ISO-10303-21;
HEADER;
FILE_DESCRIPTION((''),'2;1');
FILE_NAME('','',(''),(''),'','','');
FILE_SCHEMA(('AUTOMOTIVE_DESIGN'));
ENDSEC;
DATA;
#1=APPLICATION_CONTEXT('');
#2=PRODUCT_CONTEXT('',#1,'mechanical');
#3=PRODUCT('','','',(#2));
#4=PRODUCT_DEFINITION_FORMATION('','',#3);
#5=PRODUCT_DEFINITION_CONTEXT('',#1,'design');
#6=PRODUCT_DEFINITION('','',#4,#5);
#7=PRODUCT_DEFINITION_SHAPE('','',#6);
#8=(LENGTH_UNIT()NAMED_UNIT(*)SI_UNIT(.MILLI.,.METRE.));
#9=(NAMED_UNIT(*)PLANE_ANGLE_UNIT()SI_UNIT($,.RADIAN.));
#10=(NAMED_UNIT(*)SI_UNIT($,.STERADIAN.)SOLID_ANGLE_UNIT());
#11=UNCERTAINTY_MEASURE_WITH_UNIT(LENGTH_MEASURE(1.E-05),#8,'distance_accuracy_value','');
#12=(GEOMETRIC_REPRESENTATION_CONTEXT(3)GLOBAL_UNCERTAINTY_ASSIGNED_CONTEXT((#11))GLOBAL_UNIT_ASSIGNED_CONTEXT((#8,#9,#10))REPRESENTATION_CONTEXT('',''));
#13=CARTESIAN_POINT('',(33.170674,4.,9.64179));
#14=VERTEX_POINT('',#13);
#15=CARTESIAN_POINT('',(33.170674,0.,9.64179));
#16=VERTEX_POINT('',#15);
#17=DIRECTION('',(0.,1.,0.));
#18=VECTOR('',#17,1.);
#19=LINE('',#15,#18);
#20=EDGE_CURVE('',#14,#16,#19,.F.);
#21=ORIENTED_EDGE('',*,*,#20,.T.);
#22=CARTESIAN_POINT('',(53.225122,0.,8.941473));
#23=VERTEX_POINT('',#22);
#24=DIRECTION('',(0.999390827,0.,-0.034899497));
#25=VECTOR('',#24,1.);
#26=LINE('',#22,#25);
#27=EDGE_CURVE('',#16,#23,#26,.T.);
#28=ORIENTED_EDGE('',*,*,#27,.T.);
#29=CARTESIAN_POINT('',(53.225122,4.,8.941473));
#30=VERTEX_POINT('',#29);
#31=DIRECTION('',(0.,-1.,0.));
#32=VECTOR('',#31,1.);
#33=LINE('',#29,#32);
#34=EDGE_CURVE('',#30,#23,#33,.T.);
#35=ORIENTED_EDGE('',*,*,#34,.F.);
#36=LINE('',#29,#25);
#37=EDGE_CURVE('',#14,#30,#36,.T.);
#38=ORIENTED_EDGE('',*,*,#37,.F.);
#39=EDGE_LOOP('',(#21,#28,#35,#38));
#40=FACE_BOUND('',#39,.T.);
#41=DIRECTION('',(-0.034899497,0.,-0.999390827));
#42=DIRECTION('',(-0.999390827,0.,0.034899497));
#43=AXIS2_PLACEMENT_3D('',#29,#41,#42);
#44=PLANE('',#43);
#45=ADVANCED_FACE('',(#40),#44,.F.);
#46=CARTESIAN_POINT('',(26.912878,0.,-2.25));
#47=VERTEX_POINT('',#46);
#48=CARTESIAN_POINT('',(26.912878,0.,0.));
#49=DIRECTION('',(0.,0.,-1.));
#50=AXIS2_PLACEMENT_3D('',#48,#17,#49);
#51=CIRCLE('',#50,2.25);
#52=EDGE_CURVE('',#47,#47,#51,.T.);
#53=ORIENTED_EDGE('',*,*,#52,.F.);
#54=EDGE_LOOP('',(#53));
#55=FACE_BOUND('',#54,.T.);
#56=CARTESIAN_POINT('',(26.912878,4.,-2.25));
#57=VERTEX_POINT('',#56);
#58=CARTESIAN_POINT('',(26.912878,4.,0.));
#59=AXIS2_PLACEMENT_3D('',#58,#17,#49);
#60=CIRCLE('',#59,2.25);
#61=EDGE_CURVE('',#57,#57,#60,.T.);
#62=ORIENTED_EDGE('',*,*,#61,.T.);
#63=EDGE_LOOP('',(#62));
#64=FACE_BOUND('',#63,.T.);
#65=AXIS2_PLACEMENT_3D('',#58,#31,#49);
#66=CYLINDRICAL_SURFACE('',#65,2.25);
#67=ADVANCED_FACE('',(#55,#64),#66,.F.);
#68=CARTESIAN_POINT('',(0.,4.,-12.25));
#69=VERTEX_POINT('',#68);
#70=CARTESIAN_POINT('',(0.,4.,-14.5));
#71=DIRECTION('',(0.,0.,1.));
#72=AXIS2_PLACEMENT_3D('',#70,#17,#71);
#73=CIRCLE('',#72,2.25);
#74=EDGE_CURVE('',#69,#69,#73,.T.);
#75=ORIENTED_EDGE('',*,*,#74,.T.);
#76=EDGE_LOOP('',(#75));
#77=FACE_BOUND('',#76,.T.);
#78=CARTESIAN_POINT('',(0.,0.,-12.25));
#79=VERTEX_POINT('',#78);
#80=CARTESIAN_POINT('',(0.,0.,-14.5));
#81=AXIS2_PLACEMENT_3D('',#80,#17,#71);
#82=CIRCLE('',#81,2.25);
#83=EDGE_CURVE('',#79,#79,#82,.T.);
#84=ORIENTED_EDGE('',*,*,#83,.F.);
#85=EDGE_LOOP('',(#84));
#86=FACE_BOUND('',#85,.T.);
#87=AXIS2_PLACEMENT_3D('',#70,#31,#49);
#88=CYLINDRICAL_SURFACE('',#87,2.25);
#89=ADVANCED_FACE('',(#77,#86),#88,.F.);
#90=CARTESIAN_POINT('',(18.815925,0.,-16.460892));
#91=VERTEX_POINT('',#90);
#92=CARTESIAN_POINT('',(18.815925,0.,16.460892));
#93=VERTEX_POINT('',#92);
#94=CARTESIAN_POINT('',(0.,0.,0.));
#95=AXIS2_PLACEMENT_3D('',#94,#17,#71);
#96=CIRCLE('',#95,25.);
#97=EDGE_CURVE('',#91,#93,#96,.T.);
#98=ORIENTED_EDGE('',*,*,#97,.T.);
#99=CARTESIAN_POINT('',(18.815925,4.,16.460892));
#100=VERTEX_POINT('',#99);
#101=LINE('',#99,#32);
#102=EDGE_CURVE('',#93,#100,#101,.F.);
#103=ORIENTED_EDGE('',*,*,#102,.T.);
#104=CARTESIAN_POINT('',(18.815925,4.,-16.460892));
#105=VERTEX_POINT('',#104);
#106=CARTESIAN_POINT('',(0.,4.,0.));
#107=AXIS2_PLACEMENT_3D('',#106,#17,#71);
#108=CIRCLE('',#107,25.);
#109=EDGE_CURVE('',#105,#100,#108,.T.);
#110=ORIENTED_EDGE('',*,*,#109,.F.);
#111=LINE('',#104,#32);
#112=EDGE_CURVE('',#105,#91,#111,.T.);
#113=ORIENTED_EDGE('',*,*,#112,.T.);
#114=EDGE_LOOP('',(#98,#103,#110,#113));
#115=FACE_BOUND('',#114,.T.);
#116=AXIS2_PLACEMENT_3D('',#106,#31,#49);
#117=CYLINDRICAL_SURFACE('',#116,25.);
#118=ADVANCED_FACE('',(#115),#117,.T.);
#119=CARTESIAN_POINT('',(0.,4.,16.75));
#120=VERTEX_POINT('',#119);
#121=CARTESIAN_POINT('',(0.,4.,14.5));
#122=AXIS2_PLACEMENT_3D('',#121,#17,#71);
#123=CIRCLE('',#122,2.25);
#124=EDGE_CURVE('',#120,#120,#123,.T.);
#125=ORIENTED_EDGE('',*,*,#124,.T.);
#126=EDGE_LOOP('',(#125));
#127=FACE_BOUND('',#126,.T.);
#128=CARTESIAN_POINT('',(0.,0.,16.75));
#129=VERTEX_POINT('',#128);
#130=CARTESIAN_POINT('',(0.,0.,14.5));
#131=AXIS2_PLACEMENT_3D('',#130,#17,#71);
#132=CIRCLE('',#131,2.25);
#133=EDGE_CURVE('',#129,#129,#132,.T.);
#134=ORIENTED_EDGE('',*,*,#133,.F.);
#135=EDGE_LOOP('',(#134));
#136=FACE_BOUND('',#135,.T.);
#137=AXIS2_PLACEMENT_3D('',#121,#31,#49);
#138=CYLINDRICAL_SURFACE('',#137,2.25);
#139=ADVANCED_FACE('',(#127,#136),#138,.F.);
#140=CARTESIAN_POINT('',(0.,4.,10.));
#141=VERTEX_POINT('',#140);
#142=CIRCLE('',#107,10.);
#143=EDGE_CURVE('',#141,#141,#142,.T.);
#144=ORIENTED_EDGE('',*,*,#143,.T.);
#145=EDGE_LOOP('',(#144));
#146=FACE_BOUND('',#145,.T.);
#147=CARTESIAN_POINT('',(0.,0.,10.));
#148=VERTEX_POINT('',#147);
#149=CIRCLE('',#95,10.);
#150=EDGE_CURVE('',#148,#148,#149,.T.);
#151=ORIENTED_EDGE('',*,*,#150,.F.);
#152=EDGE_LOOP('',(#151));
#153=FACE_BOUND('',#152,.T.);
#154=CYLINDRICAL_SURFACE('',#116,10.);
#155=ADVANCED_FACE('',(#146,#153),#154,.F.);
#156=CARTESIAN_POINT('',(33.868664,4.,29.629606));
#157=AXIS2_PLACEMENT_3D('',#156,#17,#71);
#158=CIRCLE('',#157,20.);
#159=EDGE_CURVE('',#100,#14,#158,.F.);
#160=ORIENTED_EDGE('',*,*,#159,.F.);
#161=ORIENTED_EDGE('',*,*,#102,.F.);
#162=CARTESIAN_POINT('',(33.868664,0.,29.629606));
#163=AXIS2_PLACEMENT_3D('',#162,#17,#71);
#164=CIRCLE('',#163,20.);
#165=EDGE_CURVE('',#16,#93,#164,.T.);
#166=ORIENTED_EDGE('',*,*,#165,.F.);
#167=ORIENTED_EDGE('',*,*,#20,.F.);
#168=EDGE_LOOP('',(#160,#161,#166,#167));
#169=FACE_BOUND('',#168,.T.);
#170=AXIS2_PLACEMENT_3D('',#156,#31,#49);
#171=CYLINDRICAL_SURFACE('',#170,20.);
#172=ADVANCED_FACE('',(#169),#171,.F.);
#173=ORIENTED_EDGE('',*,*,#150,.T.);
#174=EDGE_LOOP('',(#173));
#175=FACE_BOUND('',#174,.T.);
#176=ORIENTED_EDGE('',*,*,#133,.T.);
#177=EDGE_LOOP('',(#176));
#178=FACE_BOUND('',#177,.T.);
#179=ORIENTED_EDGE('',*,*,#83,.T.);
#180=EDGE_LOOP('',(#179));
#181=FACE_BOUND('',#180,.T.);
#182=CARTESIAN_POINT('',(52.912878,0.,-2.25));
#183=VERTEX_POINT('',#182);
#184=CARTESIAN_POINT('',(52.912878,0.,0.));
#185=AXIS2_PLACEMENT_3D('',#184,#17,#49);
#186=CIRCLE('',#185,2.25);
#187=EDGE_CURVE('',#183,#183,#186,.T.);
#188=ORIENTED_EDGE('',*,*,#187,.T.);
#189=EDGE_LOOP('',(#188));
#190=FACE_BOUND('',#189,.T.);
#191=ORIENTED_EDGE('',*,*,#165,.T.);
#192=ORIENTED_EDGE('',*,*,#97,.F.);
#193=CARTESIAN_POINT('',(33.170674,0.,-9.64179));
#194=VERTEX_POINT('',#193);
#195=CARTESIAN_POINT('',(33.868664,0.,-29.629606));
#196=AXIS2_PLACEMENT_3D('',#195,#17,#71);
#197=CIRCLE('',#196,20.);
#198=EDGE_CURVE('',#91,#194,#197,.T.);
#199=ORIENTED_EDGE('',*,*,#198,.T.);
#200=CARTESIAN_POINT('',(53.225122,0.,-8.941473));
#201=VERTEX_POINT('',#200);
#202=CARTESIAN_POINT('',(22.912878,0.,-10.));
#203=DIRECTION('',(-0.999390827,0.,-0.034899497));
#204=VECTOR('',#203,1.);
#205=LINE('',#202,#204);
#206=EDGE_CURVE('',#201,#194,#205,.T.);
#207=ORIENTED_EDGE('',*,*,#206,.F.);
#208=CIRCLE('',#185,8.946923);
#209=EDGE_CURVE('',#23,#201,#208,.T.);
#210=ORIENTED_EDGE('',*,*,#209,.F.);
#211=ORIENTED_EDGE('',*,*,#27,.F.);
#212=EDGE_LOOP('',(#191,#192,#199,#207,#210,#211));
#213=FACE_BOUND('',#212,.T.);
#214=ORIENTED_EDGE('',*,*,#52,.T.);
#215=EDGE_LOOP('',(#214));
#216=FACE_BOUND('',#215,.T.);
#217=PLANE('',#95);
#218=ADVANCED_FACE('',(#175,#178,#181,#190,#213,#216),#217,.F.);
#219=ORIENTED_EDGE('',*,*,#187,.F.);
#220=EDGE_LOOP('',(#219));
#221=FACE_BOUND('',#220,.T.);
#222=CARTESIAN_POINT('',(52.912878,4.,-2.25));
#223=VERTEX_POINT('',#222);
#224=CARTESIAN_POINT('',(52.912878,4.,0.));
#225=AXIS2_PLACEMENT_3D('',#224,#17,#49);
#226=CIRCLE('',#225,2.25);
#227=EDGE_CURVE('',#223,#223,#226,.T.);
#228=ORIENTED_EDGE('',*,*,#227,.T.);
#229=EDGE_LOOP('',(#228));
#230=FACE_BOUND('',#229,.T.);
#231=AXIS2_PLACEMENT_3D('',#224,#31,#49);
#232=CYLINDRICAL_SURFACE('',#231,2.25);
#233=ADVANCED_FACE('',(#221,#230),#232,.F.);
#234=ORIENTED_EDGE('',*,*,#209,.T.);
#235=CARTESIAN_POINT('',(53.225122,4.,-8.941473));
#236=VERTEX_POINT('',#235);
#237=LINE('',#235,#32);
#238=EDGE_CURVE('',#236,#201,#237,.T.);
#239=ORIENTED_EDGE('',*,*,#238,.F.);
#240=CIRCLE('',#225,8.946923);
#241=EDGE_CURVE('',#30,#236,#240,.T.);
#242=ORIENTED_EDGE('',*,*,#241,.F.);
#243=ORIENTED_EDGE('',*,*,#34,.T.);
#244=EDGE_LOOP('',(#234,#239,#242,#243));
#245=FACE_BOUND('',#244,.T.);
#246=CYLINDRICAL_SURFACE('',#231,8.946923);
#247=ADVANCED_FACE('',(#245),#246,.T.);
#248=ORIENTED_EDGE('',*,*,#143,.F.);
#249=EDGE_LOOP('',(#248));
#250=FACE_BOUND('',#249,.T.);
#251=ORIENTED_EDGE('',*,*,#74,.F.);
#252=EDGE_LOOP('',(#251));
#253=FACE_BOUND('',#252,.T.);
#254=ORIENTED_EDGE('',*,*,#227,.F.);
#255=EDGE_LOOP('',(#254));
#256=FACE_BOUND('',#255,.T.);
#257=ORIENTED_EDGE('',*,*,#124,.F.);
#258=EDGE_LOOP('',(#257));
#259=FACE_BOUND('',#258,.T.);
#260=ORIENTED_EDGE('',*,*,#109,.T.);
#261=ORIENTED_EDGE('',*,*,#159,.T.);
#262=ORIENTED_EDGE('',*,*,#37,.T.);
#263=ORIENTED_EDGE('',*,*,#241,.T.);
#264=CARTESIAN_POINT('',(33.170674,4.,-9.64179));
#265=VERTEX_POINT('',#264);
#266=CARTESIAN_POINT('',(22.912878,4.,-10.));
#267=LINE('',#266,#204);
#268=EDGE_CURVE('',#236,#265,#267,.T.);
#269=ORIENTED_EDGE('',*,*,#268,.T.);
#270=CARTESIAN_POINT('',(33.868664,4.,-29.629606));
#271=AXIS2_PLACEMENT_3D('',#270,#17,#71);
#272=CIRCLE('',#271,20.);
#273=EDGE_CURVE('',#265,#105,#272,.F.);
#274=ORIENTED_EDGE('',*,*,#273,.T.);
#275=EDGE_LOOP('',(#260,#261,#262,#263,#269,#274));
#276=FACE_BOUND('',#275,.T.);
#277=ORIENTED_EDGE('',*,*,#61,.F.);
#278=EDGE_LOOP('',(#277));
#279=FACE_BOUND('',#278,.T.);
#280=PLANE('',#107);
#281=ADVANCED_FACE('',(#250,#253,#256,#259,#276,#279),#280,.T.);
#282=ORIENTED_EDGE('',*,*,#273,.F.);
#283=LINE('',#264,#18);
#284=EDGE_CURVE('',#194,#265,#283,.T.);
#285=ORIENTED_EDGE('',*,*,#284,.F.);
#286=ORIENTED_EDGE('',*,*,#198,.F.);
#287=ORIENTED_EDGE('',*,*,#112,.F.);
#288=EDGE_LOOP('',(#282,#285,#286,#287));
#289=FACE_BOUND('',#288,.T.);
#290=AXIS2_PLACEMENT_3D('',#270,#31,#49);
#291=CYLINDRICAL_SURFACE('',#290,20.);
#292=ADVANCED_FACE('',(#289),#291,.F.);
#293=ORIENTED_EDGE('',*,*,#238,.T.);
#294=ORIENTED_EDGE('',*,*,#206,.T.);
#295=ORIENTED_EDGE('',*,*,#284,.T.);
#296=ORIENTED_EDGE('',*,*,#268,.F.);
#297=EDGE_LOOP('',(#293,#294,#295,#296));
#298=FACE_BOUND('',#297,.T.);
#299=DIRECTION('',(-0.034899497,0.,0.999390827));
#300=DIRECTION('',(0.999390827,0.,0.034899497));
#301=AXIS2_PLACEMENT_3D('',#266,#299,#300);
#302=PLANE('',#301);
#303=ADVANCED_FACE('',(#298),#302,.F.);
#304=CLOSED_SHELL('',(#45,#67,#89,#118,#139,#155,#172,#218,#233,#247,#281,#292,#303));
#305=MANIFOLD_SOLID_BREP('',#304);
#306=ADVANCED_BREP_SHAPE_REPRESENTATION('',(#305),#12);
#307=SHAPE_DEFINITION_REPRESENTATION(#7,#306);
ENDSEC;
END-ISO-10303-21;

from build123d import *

# Parameters (mm, degrees)
BOSS_EXTRUDE1_DEPTH = 4
FILLET1_R           = 20
SKETCH1_R           = 10
SKETCH1_R_2         = 2.25
CUT_EXTRUDE3_DEPTH  = 131.855321132


with BuildPart() as part:
    # Sketch3 → Boss-Extrude1 (new body)
    with BuildSketch(Plane(origin=(0, 0, 0), x_dir=(1, 0, 0), z_dir=(0, 1, 0))):
        with BuildLine():
            Line((22.912878475, 10), (53.225121597, 8.941473145))
            ThreePointArc((53.225121597, 8.941473145), (61.859801844, 0), (53.225121597, -8.941473145))
            Line((53.225121597, -8.941473145), (22.912878475, -10))
            ThreePointArc((22.912878475, -10), (-25, 0), (22.912878475, 10))
        make_face()
    extrude(amount=BOSS_EXTRUDE1_DEPTH)

    # Fillet1
    fillet1_edges = [part.edges().sort_by_distance(p)[0] for p in [
        (22.912878475, 2, -10),
        (22.912878475, 2, 10),
    ]]
    fillet(fillet1_edges, radius=FILLET1_R)

    # Sketch1 → Cut-Extrude3 (cut, through all)
    with BuildSketch(Plane(origin=(103.38268991, 0, 0), x_dir=(1, 0, 0), z_dir=(0, 1, 0))):
        with Locations(Location((-103.38268991, 0, 0), (0, 0, 270))):
            Circle(SKETCH1_R)
        with Locations(Location((-103.38268991, 14.5, 0), (0, 0, 270))):
            Circle(SKETCH1_R_2)
        with Locations(Location((-76.469811435, 0, 0), (0, 0, 90))):
            Circle(SKETCH1_R_2)
        with Locations(Location((-50.469811435, 0, 0), (0, 0, 90))):
            Circle(SKETCH1_R_2)
        with Locations(Location((-103.38268991, -14.5, 0), (0, 0, 270))):
            Circle(SKETCH1_R_2)
    extrude(amount=CUT_EXTRUDE3_DEPTH, mode=Mode.SUBTRACT)


solid = part.part
